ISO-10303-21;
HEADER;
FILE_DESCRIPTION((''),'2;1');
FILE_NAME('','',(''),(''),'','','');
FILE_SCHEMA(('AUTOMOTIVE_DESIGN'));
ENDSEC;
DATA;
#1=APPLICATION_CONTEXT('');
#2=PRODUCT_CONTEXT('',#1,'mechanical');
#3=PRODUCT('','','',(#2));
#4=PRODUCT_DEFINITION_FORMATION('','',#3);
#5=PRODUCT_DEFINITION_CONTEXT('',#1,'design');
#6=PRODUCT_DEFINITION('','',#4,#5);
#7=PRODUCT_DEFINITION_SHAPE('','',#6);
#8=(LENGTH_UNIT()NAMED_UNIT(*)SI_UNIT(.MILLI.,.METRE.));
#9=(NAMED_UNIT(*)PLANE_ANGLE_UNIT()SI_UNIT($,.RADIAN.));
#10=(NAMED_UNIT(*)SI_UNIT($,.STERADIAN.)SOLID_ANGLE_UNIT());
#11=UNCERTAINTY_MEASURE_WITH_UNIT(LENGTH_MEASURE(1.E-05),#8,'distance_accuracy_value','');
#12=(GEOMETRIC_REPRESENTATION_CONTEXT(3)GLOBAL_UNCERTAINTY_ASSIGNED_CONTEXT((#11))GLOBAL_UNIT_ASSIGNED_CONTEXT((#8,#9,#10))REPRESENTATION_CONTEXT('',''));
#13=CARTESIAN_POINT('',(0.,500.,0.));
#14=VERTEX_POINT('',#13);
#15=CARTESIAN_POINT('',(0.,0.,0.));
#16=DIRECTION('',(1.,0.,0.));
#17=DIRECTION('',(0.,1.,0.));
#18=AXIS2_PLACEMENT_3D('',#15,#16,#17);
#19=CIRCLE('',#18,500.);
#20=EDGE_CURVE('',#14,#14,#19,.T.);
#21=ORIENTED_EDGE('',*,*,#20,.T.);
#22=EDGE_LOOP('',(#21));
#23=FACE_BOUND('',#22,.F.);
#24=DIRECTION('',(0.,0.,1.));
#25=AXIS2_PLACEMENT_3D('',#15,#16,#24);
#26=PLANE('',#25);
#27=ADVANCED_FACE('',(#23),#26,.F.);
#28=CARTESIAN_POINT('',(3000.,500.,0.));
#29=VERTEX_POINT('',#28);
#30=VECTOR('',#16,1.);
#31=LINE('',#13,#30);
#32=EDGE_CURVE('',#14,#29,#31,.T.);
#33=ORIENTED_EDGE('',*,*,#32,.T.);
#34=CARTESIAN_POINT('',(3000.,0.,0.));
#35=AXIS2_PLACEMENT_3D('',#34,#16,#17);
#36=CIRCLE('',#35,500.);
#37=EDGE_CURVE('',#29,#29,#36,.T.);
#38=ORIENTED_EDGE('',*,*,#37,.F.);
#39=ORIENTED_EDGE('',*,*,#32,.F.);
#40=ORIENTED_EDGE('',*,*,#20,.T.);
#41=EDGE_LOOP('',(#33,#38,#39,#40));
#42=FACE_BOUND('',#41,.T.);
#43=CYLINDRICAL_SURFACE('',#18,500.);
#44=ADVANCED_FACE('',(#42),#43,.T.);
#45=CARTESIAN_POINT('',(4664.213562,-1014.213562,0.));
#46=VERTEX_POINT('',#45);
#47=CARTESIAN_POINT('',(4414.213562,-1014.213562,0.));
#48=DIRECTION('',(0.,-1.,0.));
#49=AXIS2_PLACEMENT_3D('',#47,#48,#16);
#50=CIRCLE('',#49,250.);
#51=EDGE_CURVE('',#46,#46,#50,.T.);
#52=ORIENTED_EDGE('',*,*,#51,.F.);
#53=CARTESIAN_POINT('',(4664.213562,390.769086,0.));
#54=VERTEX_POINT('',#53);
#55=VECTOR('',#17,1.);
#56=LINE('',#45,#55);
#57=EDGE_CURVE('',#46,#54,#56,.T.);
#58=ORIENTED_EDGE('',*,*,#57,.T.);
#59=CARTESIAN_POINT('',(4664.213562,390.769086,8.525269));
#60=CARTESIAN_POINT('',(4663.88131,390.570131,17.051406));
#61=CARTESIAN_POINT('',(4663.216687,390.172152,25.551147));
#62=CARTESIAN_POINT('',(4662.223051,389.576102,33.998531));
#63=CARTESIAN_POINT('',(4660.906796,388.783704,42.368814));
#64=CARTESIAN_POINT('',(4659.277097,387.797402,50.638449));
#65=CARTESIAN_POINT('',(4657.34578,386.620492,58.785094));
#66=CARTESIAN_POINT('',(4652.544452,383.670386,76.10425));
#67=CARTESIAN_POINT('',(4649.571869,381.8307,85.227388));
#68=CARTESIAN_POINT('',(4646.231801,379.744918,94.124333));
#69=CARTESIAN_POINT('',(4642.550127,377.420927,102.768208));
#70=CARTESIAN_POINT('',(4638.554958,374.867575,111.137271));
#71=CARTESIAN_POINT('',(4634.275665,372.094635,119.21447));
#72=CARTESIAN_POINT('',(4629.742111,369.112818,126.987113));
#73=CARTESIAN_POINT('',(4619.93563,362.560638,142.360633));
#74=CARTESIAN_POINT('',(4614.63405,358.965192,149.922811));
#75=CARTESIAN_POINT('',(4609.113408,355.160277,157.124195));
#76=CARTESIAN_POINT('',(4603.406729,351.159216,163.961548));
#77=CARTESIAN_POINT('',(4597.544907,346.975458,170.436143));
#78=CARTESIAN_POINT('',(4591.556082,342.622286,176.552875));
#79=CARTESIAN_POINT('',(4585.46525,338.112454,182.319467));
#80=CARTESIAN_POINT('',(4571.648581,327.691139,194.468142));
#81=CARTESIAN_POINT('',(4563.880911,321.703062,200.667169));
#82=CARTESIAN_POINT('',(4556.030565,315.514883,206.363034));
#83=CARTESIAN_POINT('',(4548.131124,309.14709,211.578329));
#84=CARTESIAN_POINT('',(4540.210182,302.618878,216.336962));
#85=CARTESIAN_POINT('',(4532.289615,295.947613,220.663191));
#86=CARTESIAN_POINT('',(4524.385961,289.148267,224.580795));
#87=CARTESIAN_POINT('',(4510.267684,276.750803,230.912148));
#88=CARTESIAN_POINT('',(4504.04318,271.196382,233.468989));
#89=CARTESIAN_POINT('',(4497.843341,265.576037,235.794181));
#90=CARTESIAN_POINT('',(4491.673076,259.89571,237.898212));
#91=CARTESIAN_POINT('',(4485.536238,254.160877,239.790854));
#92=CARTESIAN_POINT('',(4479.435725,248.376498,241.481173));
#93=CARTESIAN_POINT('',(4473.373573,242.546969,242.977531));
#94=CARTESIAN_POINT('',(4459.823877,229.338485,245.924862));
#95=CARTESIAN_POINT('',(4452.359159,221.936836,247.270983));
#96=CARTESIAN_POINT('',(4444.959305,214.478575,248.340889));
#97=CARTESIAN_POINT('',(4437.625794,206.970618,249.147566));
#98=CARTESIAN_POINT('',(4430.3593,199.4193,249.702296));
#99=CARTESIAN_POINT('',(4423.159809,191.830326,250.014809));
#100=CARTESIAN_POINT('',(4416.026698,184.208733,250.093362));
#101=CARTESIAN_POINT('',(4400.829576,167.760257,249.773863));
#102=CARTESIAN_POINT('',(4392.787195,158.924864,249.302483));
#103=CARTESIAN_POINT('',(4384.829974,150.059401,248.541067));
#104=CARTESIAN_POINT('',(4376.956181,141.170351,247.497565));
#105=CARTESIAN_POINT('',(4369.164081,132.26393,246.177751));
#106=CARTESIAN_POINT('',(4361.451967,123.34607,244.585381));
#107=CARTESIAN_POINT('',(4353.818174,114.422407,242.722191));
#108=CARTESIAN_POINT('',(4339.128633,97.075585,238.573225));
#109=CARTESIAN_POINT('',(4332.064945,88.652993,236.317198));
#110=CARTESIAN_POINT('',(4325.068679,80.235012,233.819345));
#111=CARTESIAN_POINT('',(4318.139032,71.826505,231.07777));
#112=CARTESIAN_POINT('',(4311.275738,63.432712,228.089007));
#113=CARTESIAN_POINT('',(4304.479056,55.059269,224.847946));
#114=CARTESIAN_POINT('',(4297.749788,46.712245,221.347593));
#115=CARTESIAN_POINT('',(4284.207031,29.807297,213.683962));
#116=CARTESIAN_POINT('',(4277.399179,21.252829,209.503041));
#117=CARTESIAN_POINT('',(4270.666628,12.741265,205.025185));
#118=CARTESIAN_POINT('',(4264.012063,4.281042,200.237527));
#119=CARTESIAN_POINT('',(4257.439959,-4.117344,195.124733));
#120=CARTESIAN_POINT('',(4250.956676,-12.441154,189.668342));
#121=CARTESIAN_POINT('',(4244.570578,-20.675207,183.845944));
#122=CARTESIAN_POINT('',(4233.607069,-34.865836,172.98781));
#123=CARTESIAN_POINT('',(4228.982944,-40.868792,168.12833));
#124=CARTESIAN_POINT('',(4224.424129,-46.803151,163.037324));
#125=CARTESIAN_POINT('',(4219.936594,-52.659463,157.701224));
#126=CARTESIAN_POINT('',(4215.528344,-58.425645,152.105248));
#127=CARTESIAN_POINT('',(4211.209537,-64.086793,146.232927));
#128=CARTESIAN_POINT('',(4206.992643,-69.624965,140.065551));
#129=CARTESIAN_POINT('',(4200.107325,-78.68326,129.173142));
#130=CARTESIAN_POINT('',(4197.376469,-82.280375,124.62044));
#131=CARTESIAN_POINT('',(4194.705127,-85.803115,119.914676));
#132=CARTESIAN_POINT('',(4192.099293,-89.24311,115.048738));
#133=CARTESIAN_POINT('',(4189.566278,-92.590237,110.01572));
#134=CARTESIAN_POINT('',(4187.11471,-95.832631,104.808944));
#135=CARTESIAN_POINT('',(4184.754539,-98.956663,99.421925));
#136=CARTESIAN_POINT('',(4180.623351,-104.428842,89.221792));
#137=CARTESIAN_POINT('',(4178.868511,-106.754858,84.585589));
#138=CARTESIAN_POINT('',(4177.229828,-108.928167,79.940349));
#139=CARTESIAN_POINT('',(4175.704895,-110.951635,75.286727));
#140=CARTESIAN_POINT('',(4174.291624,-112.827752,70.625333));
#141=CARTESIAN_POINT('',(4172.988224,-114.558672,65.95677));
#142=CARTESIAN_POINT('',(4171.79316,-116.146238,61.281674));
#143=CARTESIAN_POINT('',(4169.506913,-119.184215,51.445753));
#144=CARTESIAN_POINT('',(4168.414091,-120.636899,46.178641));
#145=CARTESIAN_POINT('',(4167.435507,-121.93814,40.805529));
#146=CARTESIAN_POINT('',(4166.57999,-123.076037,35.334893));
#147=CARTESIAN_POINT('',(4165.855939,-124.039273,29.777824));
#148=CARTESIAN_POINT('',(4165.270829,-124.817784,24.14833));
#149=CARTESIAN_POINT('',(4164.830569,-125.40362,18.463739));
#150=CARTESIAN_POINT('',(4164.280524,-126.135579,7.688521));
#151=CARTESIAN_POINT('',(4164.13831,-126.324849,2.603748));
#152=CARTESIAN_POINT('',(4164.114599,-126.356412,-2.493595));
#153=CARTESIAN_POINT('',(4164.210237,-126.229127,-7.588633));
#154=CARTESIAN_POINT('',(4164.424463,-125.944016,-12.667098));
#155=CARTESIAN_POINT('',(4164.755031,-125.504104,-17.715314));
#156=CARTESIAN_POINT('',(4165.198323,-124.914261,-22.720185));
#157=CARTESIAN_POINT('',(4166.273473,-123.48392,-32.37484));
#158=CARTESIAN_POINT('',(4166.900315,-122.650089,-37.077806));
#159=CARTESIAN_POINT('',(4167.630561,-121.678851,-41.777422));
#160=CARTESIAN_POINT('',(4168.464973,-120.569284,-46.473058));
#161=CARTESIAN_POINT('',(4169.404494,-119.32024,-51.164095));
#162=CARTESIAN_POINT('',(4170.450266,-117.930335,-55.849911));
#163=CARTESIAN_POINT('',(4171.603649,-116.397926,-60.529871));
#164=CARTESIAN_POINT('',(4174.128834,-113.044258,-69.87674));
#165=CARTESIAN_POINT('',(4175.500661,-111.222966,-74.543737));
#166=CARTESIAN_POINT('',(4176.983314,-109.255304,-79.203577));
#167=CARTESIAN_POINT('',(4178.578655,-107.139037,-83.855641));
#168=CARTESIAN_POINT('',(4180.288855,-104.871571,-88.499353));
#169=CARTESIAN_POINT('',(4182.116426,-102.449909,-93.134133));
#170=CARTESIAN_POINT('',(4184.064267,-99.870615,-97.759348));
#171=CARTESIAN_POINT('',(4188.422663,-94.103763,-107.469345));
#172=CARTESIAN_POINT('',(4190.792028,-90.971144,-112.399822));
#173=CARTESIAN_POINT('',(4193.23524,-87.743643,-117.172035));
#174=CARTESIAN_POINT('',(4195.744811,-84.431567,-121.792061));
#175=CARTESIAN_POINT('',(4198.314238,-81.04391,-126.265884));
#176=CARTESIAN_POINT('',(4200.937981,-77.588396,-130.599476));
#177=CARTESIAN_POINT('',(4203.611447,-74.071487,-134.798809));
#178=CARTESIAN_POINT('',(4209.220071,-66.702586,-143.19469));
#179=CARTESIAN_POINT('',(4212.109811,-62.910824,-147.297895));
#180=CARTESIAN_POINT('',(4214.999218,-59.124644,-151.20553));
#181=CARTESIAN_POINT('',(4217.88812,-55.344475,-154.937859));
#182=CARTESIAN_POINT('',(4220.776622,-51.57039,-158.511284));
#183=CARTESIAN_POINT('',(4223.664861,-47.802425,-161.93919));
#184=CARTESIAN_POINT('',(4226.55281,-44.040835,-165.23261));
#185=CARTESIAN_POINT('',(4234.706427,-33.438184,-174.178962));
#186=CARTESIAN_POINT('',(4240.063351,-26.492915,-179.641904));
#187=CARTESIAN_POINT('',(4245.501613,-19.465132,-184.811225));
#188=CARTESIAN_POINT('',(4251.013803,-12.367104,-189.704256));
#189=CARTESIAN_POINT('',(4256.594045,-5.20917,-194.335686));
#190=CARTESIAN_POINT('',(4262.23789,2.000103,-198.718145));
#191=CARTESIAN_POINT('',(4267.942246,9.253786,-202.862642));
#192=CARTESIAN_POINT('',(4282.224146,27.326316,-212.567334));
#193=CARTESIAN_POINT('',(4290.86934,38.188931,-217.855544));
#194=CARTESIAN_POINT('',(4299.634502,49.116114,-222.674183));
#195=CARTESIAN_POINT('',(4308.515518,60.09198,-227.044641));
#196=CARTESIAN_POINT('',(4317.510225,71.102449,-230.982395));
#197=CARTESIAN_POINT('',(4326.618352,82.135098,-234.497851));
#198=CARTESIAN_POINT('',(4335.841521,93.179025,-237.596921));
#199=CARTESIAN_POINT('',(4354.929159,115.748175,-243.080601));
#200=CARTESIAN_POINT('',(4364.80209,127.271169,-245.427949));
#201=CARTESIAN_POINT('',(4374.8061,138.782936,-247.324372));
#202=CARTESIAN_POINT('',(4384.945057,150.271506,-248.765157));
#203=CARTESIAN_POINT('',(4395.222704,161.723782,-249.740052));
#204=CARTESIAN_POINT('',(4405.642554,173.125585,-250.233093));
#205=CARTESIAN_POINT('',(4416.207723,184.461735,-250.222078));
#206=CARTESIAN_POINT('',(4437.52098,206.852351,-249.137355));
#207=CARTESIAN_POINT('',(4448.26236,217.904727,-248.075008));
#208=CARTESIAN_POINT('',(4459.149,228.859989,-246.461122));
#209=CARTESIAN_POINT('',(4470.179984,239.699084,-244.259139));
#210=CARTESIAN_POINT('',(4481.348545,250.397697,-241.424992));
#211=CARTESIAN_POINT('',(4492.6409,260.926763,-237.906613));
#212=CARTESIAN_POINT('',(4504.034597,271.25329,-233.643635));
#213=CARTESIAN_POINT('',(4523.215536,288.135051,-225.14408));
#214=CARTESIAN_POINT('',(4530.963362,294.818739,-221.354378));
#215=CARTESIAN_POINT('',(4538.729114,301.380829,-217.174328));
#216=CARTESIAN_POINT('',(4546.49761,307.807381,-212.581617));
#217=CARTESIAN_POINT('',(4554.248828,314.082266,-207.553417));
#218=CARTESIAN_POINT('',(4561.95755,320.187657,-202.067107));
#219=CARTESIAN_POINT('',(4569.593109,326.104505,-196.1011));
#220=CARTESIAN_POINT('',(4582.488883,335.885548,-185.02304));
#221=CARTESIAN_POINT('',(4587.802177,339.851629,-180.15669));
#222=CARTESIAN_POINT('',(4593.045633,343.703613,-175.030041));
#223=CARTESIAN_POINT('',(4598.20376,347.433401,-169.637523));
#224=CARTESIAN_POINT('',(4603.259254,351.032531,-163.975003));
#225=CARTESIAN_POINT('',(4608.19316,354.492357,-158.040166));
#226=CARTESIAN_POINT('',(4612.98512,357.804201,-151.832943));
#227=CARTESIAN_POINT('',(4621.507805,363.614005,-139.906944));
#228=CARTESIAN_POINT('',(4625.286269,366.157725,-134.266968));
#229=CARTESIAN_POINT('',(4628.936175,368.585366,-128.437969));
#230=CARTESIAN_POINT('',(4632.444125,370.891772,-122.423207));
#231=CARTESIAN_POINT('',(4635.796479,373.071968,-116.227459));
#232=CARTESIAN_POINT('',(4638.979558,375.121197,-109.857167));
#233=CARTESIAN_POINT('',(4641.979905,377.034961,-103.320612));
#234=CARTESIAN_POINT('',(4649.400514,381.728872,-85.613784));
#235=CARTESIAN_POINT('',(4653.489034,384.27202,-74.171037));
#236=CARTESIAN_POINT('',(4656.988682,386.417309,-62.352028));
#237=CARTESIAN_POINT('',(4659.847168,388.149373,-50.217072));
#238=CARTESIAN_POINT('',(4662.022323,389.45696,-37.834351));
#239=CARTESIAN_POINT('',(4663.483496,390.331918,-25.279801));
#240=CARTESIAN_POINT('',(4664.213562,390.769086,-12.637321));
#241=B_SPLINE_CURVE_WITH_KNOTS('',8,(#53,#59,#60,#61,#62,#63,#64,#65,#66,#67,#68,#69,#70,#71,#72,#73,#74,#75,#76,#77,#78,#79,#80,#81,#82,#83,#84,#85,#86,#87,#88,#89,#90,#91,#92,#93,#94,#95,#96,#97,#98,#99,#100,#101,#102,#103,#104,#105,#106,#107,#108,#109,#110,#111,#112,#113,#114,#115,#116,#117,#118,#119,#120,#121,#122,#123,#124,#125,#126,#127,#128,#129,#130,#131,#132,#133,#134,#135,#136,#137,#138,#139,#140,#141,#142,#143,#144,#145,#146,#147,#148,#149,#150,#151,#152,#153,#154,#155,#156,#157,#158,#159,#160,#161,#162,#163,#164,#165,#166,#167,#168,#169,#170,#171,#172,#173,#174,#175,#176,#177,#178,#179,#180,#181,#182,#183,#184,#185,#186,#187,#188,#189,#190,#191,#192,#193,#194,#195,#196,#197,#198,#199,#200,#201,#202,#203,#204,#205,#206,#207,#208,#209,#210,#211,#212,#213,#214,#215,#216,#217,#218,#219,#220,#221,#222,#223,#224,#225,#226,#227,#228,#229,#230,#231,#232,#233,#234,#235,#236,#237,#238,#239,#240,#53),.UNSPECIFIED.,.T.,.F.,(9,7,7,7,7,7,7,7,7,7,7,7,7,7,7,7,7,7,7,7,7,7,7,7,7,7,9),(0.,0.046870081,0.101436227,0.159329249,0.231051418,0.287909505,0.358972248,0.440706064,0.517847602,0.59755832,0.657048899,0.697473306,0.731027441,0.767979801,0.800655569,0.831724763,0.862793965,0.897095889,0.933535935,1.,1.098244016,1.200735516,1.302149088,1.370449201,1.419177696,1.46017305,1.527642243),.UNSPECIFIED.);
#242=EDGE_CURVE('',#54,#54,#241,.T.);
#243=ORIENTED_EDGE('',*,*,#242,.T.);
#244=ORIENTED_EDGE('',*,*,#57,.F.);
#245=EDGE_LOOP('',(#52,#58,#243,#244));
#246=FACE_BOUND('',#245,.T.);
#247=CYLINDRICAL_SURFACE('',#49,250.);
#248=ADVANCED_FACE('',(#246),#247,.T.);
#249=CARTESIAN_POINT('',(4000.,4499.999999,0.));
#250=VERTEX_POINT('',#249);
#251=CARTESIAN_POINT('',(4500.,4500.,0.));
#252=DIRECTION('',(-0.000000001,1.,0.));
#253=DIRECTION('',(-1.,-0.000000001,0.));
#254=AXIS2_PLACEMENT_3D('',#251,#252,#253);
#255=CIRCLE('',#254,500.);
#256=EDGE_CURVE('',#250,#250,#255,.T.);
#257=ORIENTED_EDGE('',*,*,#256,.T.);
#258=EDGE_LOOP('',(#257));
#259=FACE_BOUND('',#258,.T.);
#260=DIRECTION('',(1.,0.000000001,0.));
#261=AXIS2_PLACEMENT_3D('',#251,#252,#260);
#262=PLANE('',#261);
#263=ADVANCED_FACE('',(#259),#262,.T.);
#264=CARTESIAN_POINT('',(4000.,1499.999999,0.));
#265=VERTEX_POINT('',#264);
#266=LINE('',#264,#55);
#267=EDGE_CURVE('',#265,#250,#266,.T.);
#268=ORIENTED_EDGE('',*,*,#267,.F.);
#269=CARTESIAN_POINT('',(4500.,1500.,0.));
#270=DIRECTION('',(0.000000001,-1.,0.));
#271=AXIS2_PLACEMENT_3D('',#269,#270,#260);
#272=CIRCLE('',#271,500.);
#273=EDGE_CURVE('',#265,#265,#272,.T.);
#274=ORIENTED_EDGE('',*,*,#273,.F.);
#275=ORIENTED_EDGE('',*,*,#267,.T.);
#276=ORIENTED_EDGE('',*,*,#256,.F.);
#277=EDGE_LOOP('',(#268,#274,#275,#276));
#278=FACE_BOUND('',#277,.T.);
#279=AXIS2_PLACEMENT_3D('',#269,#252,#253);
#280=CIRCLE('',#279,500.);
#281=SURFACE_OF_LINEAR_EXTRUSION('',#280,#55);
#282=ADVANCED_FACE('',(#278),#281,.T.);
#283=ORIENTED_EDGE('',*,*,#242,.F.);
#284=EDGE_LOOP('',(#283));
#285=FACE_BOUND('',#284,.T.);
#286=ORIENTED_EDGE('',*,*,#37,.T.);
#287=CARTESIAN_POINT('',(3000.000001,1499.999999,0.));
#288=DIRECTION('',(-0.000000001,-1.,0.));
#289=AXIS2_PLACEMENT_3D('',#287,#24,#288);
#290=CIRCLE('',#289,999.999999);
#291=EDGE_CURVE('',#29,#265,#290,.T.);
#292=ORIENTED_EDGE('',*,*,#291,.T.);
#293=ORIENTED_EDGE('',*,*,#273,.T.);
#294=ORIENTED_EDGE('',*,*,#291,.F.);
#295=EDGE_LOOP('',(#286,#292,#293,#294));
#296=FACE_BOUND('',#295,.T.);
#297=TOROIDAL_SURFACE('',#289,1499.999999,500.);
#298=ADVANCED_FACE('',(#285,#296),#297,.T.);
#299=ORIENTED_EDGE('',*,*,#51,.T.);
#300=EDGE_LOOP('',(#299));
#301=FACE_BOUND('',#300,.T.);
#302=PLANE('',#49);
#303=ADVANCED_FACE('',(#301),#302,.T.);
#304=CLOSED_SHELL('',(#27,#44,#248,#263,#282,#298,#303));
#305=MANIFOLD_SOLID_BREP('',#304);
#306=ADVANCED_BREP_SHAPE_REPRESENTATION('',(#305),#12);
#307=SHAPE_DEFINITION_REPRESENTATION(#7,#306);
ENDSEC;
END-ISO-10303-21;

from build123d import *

# Parameters (mm, degrees)
F1_R     = 500
F4_R     = 250
F5_DEPTH = 2620


with BuildPart() as f2:
    # F2: sweep along a path in F0
    with BuildLine(Plane.XY) as f2_path:
        Line((0, 0), (3000, 0))
        ThreePointArc((3000, 0), (4060.660172, 439.339828), (4500, 1500))
        Line((4500, 1500), (4500, 4500))
    # F1 (on Right) → F2 (sweep)
    with BuildSketch(Plane.YZ):
        Circle(F1_R)
    sweep(path=f2_path.line)

    # F4 (on face) → F5 (join)
    with BuildSketch(Plane.XZ.offset(1014.213562)):
        with Locations((4414.213562, 0)):
            Circle(F4_R)
    extrude(amount=-F5_DEPTH)


solid = f2.part
